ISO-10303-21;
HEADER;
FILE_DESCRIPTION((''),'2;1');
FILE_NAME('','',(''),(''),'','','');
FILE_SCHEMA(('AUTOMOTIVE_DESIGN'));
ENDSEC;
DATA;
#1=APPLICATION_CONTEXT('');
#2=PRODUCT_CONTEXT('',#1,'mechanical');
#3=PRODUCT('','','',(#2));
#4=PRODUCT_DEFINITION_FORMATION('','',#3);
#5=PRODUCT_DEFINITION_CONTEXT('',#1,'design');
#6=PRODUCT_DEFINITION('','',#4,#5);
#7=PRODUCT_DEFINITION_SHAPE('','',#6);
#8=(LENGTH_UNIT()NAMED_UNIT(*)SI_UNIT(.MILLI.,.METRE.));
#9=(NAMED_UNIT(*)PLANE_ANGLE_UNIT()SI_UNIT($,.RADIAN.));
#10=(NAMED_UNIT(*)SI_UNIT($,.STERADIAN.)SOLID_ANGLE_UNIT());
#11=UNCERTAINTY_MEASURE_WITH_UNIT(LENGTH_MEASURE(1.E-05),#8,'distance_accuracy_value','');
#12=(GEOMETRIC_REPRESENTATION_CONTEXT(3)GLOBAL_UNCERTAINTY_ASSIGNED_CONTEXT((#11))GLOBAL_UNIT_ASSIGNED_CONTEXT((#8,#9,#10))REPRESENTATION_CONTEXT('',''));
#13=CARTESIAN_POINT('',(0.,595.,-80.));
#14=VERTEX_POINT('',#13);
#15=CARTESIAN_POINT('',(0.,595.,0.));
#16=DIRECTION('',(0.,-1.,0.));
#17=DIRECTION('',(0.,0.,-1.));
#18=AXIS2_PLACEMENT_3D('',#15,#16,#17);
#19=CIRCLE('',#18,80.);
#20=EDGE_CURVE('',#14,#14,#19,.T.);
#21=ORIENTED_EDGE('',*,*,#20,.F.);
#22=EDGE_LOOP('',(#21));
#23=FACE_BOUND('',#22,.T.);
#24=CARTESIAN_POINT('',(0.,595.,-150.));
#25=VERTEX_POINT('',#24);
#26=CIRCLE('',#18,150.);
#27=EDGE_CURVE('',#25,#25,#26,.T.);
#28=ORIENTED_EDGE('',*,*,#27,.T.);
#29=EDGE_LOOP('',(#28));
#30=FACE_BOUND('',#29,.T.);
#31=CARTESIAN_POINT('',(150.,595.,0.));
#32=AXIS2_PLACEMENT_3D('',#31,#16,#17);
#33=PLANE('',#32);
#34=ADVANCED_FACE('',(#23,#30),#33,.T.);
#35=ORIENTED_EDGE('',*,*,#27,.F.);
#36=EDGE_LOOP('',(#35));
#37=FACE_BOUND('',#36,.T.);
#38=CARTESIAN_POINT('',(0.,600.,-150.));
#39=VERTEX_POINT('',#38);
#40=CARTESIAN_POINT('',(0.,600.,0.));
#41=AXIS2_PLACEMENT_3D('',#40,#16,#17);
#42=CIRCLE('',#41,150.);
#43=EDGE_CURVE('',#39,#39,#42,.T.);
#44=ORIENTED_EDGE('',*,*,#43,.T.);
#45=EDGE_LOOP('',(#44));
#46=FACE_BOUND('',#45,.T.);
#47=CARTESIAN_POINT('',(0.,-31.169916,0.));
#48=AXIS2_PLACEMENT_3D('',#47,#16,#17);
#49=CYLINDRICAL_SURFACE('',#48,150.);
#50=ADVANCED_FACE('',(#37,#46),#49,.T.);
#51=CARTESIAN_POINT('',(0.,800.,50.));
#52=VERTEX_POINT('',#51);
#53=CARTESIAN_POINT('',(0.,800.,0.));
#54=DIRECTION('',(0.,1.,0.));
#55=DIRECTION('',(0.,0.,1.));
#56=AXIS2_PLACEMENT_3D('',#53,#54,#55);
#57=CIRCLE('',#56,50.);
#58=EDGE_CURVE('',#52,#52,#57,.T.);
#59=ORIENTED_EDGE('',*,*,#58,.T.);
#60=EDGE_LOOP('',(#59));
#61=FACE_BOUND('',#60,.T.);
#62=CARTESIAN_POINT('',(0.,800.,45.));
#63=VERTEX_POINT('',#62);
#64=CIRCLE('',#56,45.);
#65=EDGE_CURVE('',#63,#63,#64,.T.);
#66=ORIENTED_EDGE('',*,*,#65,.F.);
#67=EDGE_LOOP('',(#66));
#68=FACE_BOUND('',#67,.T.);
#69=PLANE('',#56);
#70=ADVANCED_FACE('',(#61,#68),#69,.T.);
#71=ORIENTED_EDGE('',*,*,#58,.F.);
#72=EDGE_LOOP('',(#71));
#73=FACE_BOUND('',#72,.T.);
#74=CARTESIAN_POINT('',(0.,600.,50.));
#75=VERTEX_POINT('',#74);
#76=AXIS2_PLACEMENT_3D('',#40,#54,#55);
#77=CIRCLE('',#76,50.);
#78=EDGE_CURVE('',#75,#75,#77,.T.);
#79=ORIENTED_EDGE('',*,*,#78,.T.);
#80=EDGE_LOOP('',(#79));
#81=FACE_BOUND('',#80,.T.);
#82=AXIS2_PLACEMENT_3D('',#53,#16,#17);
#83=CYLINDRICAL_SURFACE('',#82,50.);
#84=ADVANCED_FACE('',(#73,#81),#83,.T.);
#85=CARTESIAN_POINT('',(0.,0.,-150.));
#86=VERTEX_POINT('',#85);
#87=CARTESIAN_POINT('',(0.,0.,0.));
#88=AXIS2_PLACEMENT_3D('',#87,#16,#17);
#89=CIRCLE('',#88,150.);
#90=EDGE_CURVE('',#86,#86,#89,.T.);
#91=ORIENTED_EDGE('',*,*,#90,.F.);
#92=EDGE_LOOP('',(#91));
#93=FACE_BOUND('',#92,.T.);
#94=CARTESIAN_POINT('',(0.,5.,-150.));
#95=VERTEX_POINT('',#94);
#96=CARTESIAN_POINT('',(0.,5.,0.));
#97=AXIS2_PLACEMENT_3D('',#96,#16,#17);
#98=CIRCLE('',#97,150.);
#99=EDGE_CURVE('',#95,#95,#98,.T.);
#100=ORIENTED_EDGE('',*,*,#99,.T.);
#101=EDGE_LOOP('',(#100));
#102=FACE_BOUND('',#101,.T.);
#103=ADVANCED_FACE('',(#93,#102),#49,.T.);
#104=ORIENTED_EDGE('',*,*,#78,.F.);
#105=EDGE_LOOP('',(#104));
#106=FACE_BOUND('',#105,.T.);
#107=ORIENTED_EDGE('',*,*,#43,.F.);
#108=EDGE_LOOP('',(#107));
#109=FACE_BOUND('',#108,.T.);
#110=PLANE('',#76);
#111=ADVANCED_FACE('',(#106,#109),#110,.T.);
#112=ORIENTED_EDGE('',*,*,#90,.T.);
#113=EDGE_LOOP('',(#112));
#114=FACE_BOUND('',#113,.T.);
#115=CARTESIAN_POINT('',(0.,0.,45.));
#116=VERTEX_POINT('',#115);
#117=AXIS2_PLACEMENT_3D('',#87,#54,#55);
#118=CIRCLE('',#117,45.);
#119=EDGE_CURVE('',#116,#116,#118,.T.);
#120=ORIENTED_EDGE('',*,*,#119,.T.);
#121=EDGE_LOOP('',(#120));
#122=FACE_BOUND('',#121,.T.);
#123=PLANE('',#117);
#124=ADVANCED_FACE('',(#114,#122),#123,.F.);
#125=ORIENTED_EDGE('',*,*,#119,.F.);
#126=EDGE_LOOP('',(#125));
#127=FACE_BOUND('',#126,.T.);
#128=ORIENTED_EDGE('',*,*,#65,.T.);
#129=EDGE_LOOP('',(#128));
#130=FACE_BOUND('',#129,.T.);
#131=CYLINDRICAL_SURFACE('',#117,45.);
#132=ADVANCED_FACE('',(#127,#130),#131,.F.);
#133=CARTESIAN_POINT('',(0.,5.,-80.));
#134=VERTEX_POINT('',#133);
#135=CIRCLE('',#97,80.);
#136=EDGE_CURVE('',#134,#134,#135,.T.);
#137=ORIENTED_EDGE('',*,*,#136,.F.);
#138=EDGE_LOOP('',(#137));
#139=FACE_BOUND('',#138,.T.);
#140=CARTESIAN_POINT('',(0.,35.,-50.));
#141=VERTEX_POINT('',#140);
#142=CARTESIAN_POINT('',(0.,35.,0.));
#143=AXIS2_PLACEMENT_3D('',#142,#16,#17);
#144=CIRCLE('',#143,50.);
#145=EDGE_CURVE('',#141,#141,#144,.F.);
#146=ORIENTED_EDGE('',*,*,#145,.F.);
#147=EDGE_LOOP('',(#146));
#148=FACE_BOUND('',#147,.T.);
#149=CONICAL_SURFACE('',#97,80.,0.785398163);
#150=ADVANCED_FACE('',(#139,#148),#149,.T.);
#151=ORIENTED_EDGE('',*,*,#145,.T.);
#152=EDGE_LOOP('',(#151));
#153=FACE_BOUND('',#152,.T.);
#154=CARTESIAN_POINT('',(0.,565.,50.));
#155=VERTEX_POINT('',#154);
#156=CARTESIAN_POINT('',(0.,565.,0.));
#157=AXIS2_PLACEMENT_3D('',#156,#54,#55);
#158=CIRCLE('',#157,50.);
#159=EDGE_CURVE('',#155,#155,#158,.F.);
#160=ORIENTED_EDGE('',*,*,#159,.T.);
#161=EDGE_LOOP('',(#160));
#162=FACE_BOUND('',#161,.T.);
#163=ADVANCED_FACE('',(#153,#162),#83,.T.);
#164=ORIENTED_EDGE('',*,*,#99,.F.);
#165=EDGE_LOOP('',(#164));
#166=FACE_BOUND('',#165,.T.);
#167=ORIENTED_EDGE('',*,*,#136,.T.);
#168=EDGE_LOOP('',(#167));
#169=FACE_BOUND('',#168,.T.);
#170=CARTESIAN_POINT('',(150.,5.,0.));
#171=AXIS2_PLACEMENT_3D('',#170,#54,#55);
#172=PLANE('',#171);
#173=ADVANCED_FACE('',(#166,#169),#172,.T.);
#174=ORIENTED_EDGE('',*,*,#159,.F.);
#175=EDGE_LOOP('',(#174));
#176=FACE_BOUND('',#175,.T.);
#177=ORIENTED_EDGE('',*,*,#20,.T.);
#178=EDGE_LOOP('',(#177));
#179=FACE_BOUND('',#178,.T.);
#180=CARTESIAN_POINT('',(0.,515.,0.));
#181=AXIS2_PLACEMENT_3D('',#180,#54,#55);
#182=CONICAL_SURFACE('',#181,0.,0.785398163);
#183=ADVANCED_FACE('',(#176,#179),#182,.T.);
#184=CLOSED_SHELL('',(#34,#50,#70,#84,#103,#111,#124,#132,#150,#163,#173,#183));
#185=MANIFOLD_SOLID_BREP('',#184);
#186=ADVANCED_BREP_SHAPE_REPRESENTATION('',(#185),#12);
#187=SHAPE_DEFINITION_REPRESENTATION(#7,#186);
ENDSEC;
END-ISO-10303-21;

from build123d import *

# Parameters (mm, degrees)
SKETCH1_R           = 50
BOSS_EXTRUDE1_DEPTH = 800
SKETCH3_R           = 45
CUT_EXTRUDE1_DEPTH  = 828.647267862


with BuildPart() as part:
    # Sketch1 → Boss-Extrude1 (new body)
    with BuildSketch(Plane(origin=(0, 0, 0), x_dir=(1, 0, 0), z_dir=(0, 1, 0))):
        with Locations(Location((0, 0, 0), (0, 0, 270))):
            Circle(SKETCH1_R)
    extrude(amount=BOSS_EXTRUDE1_DEPTH)

    # Sketch2 → Revolve1 (revolve)
    with BuildSketch(Plane.XY, mode=Mode.PRIVATE) as revolve1_sk:
        Polygon((0, 0), (150, 0), (150, 5), (80, 5), (0, 85), align=None)
        Polygon((0, 600), (150, 600), (150, 595), (80, 595), (0, 515), align=None)
    revolve(revolve1_sk.sketch.rotate(Axis((0, -31.169915786, 0), (0, 1, 0)), 90), axis=Axis((0, -31.169915786, 0), (0, 1, 0)))

    # Sketch3 → Cut-Extrude1 (cut, through all)
    with BuildSketch(Plane(origin=(0, 800, 0), x_dir=(1, 0, 0), z_dir=(0, 1, 0))):
        with Locations(Location((0, 0, 0), (0, 0, 270))):
            Circle(SKETCH3_R)
    extrude(amount=-CUT_EXTRUDE1_DEPTH, mode=Mode.SUBTRACT)


solid = part.part
